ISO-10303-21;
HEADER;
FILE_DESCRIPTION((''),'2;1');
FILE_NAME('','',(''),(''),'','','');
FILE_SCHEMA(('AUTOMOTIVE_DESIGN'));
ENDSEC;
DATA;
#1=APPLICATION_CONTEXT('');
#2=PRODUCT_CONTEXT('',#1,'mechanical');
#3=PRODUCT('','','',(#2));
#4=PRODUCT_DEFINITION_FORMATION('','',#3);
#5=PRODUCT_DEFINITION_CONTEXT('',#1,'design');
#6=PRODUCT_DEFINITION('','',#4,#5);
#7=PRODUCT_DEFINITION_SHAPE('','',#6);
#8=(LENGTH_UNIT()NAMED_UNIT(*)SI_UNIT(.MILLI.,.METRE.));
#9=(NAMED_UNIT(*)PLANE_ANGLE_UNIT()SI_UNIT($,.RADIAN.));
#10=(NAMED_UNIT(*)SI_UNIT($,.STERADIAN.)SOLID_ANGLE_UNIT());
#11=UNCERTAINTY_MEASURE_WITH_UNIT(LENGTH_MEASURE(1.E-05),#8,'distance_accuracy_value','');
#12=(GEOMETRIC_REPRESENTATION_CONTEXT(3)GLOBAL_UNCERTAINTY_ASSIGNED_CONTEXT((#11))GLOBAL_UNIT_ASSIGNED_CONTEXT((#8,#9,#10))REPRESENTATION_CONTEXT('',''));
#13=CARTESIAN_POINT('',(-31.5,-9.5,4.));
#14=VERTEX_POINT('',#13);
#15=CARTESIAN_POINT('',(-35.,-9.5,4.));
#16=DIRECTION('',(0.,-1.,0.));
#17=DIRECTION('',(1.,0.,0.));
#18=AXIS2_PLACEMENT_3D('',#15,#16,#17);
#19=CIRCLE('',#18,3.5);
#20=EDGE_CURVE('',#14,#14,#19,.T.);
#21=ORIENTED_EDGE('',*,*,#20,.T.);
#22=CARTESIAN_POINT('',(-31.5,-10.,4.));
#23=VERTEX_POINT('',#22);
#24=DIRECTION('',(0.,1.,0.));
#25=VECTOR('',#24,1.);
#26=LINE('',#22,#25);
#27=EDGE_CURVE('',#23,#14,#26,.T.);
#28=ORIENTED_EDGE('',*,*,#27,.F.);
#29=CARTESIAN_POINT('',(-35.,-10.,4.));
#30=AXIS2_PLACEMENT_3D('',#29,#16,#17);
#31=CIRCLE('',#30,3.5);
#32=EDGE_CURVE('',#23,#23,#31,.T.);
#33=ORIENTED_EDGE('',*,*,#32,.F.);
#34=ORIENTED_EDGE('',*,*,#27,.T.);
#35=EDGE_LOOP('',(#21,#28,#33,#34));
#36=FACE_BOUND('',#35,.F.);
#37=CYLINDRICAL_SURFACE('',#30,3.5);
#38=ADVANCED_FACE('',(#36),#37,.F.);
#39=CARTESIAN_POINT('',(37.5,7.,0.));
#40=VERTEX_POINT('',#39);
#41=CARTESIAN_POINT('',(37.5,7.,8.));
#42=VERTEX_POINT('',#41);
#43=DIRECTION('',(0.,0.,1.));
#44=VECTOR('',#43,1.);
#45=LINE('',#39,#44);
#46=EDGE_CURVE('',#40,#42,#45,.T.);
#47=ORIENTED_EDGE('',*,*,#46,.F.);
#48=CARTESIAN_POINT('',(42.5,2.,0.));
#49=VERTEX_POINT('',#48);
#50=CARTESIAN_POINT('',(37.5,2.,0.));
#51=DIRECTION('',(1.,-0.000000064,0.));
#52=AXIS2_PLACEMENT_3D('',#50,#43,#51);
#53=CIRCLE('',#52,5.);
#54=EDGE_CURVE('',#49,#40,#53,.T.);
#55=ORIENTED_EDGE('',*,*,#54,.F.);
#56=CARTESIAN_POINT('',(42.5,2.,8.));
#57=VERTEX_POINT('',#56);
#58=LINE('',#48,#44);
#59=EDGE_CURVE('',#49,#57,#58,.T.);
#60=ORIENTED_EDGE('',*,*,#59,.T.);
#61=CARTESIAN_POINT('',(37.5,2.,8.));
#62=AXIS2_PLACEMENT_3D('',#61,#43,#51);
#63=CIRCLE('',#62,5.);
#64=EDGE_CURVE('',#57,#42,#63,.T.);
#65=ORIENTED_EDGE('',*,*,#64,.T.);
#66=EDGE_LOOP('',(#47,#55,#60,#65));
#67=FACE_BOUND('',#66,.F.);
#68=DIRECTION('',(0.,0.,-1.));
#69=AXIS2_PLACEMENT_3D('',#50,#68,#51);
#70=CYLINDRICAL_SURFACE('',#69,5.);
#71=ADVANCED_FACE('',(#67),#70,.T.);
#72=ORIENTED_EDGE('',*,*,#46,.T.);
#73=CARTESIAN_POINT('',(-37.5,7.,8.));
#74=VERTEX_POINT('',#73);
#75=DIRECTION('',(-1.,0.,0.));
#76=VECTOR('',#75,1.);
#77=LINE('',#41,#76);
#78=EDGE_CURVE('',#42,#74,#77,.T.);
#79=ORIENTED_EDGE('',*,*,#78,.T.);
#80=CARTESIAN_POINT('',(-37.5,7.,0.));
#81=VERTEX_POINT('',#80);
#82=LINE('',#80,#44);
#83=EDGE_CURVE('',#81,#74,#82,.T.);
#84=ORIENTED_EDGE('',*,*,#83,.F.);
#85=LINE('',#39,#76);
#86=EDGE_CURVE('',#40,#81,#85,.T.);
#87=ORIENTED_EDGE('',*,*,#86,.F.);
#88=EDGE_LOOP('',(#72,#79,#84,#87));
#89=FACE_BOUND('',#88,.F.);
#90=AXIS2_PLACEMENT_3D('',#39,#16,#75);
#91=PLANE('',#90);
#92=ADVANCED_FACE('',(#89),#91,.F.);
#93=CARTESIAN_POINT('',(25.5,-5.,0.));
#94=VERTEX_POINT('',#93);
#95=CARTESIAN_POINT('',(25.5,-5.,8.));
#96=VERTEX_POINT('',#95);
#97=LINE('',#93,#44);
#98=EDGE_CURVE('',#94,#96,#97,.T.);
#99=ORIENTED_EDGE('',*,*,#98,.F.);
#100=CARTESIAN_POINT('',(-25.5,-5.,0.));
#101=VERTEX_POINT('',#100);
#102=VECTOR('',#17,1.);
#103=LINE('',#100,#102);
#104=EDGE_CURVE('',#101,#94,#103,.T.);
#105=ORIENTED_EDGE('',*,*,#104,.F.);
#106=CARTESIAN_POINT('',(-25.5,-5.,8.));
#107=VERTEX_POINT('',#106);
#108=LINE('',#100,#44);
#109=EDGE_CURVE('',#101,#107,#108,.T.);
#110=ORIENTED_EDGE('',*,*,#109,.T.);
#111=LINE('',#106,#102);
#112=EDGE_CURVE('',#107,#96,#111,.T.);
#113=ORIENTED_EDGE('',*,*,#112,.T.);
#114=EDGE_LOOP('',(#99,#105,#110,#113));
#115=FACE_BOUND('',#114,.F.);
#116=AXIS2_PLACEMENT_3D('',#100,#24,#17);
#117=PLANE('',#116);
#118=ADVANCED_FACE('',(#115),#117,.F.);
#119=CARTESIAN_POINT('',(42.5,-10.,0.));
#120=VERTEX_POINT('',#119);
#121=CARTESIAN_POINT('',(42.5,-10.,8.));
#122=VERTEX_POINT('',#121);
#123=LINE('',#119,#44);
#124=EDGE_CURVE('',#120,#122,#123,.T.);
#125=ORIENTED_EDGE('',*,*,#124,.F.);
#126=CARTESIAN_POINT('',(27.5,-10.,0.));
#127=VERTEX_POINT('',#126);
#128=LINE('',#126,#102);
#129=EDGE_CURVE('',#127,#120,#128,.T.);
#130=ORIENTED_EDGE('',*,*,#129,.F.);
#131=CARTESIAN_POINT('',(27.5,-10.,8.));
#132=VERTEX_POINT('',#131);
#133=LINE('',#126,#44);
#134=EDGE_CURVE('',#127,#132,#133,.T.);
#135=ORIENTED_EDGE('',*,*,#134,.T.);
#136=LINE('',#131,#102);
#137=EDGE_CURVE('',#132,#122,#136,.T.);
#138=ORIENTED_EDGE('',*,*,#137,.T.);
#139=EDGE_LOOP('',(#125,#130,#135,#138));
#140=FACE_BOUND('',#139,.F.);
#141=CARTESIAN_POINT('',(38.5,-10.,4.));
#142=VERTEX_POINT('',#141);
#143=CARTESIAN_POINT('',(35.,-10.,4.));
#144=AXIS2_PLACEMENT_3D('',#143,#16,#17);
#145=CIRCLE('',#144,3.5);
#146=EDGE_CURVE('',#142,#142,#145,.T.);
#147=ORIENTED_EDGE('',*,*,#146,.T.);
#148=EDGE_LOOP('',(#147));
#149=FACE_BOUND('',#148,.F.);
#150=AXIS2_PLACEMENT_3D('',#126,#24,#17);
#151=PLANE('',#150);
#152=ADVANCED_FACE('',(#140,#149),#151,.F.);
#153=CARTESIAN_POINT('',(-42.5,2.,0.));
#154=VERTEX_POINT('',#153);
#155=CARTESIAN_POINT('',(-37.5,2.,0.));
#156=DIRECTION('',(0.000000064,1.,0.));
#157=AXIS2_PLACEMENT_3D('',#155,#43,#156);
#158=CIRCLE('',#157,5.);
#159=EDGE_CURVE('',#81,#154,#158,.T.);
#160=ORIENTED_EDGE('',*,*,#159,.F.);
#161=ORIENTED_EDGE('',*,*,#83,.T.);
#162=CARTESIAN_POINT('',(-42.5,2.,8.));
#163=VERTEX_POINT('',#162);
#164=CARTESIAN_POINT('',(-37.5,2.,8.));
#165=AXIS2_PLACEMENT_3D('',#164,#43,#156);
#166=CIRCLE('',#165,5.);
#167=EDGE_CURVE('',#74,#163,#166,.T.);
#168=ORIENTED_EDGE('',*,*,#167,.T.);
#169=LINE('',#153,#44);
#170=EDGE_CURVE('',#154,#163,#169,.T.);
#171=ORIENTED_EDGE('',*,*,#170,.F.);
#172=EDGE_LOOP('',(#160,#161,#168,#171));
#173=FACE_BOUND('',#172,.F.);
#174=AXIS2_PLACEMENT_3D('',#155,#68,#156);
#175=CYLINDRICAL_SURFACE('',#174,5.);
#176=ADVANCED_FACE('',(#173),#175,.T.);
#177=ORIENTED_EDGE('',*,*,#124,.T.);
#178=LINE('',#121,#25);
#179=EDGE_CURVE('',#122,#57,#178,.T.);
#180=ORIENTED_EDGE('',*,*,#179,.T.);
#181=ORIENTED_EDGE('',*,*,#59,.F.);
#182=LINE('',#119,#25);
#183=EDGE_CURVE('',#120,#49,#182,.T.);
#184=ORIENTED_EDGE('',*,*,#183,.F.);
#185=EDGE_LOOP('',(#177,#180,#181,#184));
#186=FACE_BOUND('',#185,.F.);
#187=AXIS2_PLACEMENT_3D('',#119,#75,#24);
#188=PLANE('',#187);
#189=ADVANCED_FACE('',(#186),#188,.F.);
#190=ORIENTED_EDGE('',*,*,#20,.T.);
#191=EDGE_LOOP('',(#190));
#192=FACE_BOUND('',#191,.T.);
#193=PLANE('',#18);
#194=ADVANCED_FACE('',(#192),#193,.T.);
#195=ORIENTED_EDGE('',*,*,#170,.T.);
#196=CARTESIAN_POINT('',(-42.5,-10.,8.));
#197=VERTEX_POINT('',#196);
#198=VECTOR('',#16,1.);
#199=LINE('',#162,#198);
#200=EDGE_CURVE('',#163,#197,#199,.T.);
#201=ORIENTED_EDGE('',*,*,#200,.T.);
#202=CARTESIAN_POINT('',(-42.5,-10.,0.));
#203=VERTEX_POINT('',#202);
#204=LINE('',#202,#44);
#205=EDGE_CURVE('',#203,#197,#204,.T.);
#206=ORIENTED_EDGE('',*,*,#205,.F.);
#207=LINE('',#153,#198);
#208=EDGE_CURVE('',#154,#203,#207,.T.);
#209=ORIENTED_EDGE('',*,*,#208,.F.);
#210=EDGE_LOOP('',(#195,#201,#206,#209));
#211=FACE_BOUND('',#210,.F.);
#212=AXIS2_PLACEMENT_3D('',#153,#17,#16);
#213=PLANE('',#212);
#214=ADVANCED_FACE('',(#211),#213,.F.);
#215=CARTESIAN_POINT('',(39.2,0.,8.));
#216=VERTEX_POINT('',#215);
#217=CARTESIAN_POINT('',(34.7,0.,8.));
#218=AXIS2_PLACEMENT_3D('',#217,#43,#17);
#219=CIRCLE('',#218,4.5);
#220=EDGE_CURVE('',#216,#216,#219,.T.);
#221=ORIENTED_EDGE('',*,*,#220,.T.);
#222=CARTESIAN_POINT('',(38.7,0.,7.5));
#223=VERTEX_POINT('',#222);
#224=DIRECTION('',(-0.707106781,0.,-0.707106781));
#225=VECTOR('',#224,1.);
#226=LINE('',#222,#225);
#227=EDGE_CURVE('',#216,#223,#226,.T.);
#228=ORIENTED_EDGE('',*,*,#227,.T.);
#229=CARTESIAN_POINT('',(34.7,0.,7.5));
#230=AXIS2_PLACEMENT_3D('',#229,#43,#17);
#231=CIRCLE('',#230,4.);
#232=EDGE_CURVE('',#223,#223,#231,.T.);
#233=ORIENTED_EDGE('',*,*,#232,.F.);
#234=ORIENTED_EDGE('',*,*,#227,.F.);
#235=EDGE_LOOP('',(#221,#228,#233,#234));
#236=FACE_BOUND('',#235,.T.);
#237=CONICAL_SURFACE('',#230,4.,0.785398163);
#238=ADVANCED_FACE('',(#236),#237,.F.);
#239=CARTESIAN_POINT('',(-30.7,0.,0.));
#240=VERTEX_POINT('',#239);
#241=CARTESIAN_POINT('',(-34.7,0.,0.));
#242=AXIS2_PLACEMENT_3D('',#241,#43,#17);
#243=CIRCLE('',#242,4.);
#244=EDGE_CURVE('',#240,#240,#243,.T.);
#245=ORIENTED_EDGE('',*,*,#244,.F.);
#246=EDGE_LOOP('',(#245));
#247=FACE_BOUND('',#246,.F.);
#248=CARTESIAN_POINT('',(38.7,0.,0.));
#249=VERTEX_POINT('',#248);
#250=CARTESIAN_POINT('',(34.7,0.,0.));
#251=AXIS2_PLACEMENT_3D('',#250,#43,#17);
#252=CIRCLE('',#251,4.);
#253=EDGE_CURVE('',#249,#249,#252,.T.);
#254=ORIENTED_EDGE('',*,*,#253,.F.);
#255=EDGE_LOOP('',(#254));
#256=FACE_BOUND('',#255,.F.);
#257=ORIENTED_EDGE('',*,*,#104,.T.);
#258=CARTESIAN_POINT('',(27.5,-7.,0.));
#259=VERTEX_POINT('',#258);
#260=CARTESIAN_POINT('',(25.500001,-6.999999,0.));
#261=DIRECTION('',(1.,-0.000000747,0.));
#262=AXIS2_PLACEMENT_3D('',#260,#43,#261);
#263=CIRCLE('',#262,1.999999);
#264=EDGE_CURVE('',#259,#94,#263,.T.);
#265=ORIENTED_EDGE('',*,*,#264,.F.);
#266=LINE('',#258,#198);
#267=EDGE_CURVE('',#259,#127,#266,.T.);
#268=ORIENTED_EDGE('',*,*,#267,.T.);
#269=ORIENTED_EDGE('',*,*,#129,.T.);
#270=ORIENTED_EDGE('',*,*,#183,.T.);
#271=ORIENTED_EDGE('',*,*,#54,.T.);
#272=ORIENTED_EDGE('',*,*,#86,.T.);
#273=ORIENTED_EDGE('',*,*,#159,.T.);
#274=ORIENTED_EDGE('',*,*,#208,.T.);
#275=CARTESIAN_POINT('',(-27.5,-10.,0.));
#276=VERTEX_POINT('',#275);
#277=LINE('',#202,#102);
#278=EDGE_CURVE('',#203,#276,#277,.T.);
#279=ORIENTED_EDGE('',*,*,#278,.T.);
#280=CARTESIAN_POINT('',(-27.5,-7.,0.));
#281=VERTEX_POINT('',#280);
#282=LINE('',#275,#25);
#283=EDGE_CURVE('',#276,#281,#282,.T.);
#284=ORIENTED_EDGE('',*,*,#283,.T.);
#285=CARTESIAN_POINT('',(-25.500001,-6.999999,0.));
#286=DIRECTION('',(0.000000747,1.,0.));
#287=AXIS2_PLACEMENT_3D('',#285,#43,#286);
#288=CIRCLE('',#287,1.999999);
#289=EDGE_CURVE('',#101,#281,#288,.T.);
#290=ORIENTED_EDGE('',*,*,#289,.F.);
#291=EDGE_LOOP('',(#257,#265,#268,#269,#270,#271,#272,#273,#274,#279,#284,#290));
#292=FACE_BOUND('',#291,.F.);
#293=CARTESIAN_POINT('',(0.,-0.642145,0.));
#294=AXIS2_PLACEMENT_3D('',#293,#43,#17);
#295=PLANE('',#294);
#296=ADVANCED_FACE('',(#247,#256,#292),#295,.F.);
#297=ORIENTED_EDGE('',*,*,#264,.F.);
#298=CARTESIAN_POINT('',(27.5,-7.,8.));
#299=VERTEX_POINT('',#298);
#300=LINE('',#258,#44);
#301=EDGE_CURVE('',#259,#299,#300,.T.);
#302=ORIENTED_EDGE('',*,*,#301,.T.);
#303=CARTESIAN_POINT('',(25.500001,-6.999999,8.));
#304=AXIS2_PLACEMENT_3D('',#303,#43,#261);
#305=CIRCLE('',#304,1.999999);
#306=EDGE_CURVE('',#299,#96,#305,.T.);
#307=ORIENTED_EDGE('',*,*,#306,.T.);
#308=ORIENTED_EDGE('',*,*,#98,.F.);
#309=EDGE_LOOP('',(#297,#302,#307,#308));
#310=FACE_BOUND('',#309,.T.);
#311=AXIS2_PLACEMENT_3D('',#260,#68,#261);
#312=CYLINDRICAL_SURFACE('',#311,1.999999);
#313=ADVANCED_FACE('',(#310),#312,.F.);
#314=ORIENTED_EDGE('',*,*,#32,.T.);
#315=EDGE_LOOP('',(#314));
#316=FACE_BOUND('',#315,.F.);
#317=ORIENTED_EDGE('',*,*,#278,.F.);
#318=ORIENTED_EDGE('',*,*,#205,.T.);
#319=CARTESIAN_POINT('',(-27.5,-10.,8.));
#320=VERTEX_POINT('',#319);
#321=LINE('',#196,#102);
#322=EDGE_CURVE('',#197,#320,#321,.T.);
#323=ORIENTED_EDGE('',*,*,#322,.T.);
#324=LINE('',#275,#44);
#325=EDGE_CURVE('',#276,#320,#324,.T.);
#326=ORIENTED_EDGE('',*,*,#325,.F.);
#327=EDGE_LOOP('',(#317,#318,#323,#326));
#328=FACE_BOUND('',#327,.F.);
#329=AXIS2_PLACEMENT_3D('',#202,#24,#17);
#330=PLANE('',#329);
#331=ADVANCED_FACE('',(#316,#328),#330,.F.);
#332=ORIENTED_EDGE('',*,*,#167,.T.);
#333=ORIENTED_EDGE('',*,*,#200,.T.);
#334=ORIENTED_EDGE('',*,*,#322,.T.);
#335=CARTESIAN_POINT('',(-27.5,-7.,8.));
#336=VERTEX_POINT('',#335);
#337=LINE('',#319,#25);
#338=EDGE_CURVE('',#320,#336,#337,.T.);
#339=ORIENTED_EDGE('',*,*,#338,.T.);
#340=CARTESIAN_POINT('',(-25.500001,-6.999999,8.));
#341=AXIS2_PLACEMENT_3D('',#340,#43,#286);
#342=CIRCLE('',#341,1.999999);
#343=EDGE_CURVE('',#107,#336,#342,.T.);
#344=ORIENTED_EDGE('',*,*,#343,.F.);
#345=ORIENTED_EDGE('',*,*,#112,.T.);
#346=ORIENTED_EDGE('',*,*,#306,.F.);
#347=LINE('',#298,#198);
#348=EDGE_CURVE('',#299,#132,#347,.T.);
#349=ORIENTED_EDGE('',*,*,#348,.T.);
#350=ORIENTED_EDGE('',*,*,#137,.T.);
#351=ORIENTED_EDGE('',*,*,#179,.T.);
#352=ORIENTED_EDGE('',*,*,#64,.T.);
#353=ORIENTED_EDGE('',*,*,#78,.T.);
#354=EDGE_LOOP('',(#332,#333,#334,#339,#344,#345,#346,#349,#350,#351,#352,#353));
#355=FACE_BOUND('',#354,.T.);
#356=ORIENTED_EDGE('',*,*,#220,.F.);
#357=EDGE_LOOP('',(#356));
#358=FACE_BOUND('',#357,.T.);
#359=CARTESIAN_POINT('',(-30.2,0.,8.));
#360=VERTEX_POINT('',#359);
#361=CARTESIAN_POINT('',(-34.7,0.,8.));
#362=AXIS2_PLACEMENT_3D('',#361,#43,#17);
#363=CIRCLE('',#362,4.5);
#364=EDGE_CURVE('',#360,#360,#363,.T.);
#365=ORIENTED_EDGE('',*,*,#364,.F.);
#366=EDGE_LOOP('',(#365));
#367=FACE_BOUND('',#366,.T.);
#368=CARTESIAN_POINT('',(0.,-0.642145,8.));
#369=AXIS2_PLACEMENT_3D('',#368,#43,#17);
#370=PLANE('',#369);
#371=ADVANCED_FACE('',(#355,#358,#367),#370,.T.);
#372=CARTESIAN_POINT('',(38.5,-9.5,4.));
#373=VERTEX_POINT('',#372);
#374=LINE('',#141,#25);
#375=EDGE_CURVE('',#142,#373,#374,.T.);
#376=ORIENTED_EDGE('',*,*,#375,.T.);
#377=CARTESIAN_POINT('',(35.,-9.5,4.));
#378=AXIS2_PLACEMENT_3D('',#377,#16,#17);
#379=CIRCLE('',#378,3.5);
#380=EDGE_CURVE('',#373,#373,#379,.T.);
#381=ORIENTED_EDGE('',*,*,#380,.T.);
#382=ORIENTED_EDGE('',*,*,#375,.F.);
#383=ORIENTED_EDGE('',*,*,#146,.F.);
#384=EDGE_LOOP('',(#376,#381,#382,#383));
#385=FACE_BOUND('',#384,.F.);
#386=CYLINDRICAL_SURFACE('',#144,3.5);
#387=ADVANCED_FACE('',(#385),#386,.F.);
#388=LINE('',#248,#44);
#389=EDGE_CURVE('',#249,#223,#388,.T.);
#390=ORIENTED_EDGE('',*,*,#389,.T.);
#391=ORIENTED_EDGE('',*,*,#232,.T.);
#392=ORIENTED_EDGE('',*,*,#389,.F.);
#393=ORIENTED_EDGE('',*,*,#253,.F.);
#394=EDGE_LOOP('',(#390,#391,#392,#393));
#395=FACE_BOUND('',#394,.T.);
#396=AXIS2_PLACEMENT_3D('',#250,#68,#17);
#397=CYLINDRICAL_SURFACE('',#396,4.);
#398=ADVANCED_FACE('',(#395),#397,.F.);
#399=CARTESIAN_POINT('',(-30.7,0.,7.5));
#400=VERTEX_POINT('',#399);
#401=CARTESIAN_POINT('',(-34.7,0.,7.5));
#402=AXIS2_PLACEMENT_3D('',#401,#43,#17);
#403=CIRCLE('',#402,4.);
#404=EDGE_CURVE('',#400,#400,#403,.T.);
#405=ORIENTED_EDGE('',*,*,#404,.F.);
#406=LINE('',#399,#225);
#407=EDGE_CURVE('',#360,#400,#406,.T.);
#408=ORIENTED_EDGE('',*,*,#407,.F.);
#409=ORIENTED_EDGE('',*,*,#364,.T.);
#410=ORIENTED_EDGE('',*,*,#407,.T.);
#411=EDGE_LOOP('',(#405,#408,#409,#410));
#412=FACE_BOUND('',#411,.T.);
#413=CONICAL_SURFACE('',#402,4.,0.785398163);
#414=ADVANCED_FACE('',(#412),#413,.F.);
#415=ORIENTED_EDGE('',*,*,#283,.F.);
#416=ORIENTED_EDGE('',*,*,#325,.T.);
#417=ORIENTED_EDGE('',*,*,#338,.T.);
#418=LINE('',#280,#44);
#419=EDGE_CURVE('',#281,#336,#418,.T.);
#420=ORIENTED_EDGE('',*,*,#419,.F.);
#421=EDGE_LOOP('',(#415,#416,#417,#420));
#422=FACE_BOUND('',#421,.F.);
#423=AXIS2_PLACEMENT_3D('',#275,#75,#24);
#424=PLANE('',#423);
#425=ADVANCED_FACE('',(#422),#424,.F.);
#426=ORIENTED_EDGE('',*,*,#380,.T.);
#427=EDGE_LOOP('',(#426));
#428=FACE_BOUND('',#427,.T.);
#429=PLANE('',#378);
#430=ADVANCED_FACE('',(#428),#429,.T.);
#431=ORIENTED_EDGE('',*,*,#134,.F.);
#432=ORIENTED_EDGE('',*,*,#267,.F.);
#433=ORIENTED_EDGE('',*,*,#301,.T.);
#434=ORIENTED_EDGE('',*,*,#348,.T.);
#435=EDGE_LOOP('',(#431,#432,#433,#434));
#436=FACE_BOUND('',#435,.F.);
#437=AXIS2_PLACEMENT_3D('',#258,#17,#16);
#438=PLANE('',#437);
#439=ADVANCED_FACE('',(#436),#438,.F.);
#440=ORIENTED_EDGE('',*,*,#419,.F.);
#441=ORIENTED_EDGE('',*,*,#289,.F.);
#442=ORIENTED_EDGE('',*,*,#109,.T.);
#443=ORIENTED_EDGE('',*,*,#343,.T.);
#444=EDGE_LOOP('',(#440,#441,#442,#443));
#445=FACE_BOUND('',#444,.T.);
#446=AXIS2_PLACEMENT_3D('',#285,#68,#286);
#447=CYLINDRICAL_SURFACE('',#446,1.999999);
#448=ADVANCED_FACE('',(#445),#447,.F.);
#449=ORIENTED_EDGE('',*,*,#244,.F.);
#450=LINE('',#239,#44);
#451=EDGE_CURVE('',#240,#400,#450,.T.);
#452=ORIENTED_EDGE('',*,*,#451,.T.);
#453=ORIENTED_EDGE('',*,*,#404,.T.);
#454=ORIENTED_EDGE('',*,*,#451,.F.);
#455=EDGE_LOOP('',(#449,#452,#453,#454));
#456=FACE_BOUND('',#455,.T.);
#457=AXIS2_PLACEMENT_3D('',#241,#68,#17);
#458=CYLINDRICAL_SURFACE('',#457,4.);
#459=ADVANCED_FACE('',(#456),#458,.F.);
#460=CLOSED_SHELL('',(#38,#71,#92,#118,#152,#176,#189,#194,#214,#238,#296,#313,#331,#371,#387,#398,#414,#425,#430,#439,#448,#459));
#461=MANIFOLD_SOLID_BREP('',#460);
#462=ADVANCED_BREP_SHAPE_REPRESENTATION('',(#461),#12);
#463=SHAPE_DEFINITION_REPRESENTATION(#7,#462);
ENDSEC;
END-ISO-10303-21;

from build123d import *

# Parameters (mm, degrees)
SKETCH_R     = 4
PAD_DEPTH    = 8
SKETCH001_R  = 3.5
POCKET_DEPTH = 0.5
CHAMFER_SIZE = 0.5


with BuildPart() as part:
    # Sketch → Pad (new body)
    with BuildSketch(Plane.XY):
        with BuildLine():
            Line((-42.5, -10), (-27.5, -10))
            Line((-27.5, -10), (-27.5, -7))
            ThreePointArc((-25.5, -5), (-26.914214, -5.585786), (-27.5, -7))
            Line((-25.5, -5), (25.5, -5))
            ThreePointArc((27.5, -7), (26.914214, -5.585786), (25.5, -5))
            Line((27.5, -7), (27.5, -10))
            Line((27.5, -10), (42.5, -10))
            Line((42.5, -10), (42.5, 2))
            ThreePointArc((42.5, 2), (41.035534, 5.535534), (37.5, 7))
            Line((37.5, 7), (-37.5, 7))
            ThreePointArc((-37.5, 7), (-41.035534, 5.535534), (-42.5, 2))
            Line((-42.5, 2), (-42.5, -10))
        make_face()
        with Locations((-34.7, 0)):
            Circle(SKETCH_R, mode=Mode.SUBTRACT)
        with Locations((34.7, 0)):
            Circle(SKETCH_R, mode=Mode.SUBTRACT)
    extrude(amount=PAD_DEPTH)

    # Sketch001 (on Face2 of Pad) → Pocket (cut)
    with BuildSketch(Plane.XZ.offset(10)):
        with Locations((-35, 4)):
            Circle(SKETCH001_R)
        with Locations((35, 4)):
            Circle(SKETCH001_R)
    extrude(amount=-POCKET_DEPTH, mode=Mode.SUBTRACT)

    # Chamfer
    chamfer_edges = [part.edges().sort_by_distance(p)[0] for p in [
        (30.7, 0, 8),
        (-38.7, 0, 8),
    ]]
    chamfer(chamfer_edges, length=CHAMFER_SIZE)


solid = part.part
